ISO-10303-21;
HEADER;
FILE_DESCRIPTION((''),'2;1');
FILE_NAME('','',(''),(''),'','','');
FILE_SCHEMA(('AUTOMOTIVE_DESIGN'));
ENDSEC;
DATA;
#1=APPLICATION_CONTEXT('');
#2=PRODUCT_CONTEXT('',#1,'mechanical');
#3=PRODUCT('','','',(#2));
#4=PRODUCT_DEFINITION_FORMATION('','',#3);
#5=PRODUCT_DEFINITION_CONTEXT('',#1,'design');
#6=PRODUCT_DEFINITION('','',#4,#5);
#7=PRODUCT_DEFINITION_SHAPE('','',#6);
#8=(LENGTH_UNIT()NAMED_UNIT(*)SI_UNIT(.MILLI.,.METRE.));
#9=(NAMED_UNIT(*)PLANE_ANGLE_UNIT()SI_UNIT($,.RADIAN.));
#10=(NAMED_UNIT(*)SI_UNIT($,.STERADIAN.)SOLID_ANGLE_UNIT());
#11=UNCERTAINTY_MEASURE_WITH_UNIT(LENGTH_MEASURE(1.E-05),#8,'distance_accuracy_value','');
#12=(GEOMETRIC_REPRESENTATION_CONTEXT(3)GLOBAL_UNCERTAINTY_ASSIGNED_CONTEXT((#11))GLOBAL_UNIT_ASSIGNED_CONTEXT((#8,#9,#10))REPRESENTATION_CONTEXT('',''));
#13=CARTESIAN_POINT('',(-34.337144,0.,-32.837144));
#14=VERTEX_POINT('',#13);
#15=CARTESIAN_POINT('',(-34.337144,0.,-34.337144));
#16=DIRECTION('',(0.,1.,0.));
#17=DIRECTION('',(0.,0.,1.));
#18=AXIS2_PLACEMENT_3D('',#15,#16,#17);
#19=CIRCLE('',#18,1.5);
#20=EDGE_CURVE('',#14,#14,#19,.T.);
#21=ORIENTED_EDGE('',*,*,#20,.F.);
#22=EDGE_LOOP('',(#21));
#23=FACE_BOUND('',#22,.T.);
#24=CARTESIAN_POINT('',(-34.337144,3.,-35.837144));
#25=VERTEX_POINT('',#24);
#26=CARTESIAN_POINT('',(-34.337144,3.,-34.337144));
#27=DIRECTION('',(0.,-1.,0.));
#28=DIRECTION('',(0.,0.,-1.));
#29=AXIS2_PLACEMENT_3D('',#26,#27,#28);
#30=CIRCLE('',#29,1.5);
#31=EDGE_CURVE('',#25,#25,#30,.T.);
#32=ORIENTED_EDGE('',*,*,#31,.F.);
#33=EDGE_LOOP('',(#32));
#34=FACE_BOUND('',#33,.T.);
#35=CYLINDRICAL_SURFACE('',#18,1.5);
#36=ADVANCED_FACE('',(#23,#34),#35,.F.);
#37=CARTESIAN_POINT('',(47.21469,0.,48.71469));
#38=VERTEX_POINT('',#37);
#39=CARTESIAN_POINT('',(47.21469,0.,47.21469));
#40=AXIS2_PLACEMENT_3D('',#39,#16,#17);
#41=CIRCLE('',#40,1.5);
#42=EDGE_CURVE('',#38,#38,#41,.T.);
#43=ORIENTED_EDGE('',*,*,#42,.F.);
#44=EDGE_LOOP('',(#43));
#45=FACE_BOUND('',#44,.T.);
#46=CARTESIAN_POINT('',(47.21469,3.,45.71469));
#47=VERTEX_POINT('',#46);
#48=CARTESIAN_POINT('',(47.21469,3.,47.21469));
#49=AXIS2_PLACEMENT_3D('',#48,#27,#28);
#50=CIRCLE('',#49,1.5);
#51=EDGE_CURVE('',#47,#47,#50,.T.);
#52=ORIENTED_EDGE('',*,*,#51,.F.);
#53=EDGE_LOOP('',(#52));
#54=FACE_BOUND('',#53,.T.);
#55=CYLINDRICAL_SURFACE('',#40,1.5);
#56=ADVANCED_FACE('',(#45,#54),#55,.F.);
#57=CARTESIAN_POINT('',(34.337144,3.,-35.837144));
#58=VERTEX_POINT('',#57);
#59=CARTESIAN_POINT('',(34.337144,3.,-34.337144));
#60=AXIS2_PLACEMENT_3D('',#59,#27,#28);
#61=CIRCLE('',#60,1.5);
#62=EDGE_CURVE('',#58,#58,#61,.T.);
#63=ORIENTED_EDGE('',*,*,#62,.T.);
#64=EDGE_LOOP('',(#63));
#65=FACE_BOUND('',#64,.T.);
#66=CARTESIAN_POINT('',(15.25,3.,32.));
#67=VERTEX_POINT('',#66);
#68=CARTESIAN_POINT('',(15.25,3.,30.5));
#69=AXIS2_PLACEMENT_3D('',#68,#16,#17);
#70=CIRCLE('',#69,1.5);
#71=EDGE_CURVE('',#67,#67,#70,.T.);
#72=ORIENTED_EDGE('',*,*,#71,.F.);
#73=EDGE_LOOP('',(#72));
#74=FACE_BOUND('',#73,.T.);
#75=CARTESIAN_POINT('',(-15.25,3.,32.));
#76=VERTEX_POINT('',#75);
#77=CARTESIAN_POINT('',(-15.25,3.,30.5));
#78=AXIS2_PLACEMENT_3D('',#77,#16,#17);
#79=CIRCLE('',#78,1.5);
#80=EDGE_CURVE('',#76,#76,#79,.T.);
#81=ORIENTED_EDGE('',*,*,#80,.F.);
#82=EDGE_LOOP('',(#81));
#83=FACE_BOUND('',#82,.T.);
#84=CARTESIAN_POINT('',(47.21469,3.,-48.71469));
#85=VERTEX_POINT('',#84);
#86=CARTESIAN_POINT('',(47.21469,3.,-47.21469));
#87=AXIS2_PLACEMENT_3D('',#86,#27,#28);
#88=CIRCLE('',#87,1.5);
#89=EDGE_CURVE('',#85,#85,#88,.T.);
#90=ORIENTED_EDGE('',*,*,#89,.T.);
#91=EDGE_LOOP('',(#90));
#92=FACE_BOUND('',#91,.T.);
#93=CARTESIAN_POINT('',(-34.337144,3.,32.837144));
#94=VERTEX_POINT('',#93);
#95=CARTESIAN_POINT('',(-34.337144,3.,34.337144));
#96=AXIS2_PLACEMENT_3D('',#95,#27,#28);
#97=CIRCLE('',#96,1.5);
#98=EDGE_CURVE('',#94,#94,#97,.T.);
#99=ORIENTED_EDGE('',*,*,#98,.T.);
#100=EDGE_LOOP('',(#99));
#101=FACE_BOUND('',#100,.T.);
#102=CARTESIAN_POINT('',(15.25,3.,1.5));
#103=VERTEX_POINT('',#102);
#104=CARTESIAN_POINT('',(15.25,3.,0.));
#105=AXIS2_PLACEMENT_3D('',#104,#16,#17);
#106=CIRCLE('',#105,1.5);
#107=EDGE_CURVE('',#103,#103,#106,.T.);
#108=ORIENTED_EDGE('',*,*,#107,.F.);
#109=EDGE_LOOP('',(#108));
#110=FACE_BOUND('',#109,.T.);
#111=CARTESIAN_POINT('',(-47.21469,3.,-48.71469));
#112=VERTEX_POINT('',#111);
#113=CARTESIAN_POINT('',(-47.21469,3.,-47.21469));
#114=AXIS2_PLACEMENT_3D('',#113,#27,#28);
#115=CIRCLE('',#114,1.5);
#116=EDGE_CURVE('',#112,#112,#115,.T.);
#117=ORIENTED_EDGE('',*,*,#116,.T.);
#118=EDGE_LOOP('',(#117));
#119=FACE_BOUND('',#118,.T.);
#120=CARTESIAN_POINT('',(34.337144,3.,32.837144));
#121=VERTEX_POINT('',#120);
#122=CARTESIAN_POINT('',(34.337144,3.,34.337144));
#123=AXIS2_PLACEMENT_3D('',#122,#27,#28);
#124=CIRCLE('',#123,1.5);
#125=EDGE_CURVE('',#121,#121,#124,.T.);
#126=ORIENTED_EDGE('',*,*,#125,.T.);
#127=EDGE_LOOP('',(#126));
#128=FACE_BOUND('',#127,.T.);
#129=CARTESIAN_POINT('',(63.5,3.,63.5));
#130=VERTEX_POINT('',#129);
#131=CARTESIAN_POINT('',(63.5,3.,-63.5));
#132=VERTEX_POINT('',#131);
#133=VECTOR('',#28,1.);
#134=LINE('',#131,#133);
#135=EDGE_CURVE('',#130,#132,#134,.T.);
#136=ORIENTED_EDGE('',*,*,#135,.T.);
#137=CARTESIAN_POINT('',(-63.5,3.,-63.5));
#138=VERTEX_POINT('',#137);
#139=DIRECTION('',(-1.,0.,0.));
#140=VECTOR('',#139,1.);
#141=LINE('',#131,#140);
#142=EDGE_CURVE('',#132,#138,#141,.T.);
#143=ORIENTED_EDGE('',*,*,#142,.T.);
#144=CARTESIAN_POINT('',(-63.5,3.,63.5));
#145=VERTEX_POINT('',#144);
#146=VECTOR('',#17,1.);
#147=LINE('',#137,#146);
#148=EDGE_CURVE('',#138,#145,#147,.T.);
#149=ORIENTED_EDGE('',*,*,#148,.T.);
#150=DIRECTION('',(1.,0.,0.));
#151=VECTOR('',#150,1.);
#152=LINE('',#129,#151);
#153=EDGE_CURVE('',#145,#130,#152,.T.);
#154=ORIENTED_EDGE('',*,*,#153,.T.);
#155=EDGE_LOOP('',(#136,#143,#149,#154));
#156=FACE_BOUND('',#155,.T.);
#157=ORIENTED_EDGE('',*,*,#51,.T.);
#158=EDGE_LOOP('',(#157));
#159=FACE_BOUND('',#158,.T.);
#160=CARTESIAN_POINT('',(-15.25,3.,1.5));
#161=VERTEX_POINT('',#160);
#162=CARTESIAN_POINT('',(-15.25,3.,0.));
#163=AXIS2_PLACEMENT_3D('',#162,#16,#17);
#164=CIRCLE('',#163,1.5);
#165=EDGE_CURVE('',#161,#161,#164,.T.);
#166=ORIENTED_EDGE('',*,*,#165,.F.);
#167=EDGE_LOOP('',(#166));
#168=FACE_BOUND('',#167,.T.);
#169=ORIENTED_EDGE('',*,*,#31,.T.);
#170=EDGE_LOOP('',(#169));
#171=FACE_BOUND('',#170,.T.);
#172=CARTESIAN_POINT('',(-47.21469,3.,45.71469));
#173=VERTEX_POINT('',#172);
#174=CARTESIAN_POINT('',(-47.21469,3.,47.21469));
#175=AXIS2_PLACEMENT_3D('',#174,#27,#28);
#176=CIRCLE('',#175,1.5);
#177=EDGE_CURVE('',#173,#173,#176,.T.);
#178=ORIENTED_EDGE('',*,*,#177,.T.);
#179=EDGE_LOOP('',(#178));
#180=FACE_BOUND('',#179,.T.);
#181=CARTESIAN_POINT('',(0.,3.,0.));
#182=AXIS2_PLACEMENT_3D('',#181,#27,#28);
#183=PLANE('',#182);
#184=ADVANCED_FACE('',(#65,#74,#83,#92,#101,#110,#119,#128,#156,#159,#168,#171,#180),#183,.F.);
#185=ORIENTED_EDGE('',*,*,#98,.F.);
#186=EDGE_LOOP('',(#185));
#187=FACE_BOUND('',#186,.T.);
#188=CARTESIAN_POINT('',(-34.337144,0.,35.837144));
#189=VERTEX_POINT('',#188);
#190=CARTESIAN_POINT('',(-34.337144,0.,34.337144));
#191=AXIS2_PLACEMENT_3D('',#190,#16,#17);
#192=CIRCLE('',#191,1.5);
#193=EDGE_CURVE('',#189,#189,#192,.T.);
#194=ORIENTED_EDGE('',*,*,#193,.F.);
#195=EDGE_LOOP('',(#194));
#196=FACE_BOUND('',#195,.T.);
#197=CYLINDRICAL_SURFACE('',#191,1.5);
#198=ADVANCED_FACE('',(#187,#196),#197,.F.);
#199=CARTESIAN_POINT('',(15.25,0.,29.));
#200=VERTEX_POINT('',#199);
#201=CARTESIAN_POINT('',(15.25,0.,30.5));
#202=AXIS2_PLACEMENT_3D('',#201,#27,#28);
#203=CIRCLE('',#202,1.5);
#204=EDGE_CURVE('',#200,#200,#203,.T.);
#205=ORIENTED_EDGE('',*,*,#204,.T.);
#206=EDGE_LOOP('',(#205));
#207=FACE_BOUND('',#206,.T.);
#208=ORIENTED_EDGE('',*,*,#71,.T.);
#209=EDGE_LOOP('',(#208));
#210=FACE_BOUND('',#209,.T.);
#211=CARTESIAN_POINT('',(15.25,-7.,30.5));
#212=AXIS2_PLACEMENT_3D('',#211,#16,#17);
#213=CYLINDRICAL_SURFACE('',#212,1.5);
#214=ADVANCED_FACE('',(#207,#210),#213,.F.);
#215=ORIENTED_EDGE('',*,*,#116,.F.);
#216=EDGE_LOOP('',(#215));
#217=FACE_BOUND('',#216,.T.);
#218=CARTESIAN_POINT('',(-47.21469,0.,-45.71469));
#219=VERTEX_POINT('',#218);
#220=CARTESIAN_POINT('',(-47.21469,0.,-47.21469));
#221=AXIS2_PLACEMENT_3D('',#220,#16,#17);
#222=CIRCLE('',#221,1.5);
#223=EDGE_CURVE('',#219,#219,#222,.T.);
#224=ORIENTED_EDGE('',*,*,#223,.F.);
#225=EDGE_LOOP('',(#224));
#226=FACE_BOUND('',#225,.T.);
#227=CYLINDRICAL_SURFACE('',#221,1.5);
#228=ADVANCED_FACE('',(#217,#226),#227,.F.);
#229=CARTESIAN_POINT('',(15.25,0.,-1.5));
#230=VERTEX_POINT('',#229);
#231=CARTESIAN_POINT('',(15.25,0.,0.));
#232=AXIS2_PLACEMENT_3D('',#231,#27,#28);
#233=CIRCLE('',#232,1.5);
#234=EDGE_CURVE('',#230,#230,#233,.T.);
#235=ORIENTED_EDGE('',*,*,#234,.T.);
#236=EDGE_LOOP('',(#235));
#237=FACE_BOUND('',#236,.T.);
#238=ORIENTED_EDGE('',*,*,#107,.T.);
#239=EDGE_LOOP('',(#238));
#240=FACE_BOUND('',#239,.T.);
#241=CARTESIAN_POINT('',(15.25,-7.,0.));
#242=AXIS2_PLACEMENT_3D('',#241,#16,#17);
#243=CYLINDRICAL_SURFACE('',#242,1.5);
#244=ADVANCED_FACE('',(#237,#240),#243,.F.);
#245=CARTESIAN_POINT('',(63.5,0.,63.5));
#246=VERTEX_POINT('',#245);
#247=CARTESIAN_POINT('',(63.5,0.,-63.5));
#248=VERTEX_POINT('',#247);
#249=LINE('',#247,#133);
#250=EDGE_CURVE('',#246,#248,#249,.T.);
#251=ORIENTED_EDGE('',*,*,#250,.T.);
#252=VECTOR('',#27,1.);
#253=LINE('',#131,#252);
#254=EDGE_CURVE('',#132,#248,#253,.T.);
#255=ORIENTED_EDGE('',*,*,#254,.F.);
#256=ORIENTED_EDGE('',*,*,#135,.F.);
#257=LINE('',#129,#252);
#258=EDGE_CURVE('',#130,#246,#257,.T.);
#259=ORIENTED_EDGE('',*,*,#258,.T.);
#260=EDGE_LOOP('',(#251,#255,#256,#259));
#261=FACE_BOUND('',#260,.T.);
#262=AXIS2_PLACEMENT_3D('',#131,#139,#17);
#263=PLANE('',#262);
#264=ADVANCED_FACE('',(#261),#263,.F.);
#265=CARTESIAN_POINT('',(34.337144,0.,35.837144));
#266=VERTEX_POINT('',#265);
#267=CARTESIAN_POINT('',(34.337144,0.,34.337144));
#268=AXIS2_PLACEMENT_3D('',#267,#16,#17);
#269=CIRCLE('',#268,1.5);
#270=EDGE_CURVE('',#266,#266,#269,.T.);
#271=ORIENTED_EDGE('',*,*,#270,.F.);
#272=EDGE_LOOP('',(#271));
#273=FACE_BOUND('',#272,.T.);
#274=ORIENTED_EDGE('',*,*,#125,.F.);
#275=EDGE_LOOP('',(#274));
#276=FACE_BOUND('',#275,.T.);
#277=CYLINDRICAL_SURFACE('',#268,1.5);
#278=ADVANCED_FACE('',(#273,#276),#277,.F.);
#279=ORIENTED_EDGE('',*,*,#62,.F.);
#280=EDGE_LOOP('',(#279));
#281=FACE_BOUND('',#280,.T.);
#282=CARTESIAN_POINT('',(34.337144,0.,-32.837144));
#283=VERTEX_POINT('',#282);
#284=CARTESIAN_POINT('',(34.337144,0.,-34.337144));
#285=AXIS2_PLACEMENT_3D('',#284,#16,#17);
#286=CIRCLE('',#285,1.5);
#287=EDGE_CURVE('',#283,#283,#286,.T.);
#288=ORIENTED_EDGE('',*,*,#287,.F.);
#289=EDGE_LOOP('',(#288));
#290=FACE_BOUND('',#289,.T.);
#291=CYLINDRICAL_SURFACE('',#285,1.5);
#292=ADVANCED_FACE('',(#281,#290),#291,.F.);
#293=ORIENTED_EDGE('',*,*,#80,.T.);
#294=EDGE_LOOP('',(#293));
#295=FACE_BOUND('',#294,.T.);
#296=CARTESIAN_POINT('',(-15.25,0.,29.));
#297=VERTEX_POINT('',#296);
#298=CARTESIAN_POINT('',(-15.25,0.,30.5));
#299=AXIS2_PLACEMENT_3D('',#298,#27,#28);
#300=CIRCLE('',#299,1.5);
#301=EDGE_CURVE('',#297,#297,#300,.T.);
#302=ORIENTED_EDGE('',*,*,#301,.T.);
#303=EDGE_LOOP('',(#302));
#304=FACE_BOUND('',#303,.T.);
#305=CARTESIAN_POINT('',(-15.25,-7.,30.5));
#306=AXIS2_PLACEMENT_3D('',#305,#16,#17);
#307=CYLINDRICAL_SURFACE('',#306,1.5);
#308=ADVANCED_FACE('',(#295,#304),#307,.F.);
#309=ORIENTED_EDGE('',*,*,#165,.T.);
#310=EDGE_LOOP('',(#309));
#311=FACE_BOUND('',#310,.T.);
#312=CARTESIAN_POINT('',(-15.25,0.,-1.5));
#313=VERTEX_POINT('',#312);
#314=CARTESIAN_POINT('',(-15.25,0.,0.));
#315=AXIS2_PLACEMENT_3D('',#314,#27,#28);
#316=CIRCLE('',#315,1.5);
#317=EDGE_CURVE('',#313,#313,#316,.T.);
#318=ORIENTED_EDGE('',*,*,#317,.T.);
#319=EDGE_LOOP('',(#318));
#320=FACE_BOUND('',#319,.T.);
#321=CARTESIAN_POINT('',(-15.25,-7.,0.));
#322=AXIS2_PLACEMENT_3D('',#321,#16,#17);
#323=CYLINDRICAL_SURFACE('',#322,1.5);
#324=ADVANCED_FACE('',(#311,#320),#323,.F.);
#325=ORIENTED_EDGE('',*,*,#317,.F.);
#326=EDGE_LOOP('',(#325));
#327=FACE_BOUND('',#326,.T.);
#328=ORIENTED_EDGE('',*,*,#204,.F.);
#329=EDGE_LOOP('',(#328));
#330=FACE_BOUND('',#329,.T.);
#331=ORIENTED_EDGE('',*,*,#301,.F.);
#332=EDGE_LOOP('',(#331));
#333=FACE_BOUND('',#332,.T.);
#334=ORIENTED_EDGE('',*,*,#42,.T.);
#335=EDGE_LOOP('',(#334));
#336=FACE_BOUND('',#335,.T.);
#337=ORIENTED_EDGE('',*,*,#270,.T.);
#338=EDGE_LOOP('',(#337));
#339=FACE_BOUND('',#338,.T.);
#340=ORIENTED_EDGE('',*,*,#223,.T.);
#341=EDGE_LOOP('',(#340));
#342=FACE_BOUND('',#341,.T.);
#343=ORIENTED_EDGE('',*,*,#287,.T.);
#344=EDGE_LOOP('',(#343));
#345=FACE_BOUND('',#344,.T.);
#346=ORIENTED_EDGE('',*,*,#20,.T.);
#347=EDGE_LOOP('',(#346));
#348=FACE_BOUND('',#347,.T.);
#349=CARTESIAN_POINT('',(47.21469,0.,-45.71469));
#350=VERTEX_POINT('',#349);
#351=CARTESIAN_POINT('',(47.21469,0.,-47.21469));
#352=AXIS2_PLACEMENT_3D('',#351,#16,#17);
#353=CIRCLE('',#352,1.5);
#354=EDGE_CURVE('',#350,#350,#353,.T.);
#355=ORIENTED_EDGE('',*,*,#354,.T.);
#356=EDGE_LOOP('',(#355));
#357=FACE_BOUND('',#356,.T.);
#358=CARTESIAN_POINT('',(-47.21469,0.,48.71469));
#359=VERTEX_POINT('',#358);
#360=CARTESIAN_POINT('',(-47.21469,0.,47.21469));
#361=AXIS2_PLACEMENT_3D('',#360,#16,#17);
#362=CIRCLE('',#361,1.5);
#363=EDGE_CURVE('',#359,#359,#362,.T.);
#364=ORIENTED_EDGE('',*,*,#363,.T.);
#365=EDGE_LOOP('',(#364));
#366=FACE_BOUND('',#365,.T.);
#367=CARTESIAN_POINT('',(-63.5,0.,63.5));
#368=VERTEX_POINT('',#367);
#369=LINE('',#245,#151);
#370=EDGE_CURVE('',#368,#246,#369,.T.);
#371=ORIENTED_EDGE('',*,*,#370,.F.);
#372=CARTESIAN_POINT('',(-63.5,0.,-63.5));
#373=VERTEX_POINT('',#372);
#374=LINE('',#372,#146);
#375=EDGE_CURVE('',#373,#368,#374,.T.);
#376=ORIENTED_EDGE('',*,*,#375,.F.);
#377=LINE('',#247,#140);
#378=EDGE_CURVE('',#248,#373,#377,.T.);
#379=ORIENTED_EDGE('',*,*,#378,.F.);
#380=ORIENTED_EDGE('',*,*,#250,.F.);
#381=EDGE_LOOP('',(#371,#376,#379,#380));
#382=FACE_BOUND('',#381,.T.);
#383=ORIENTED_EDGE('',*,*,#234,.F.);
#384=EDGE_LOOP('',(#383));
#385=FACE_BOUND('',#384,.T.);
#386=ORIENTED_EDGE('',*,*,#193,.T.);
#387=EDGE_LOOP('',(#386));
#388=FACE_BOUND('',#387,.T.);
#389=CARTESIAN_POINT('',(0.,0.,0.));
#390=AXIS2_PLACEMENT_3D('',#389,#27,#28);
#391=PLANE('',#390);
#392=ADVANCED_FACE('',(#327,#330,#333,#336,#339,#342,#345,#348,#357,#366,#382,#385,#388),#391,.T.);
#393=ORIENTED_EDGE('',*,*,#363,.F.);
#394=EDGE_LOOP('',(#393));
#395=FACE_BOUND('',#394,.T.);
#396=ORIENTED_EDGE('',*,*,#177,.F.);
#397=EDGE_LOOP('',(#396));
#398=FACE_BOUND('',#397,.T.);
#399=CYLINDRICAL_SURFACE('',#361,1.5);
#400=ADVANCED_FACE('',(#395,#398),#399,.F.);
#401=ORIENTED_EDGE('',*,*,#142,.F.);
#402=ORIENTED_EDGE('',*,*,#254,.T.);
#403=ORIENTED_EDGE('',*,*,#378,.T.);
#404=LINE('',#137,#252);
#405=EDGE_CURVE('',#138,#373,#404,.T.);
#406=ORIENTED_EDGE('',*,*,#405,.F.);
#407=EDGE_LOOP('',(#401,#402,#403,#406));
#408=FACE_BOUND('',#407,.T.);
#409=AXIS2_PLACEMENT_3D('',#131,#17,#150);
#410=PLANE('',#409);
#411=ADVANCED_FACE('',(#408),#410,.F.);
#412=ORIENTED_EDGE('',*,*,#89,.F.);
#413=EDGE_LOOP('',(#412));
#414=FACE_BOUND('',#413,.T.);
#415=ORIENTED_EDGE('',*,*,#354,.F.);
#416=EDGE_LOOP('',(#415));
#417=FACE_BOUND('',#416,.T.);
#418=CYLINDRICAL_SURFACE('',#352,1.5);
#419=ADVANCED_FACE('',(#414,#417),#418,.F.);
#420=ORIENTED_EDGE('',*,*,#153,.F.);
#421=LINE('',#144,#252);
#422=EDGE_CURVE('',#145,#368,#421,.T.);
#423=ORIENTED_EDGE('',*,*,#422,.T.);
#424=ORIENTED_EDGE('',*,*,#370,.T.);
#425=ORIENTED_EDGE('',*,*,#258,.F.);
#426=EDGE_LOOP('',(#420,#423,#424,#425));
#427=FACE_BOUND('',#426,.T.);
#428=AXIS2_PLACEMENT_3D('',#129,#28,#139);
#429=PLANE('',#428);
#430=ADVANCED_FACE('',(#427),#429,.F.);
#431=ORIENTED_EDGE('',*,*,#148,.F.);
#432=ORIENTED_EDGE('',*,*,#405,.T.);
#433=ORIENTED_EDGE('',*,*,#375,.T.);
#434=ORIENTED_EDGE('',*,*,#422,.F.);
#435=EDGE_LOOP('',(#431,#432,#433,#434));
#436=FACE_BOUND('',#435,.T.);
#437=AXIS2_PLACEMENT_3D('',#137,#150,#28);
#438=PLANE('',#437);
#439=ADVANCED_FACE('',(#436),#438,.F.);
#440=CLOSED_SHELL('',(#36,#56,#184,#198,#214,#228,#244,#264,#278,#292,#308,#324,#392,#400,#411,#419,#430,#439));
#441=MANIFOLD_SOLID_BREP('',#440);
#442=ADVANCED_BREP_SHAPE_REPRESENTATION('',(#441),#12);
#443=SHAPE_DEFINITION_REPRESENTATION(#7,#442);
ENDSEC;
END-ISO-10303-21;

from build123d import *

# Parameters (mm, degrees)
SKETCH2_W               = 127
SKETCH2_H               = 127
BOSS_EXTRUDE1_DEPTH     = 3
CUT_EXTRUDE1_DEPTH      = 90.852657167
CUT_EXTRUDE1_DEPTH_BACK = 90.852657167
SKETCH3_R               = 1.5
SKETCH4_R               = 1.5
CUT_EXTRUDE2_DEPTH      = 10


with BuildPart() as part:
    # Sketch2 → Boss-Extrude1 (new body)
    with BuildSketch(Plane(origin=(0, 0, 0), x_dir=(1, 0, 0), z_dir=(0, 1, 0))):
        Rectangle(SKETCH2_W, SKETCH2_H)
    extrude(amount=BOSS_EXTRUDE1_DEPTH)

    # Sketch3 → Cut-Extrude1 (cut, two sides: drawn at the far end of the back side and taken through both)
    with BuildSketch(Plane(origin=(0, 3, 0), x_dir=(1, 0, 0), z_dir=(0, 1, 0)).offset(-CUT_EXTRUDE1_DEPTH_BACK)):
        with Locations(Location((-47.214690182, 47.214690182, 0), (0, 0, 270))):
            Circle(SKETCH3_R)
        with Locations(Location((-34.337144063, 34.337144063, 0), (0, 0, 270))):
            Circle(SKETCH3_R)
        with Locations(Location((47.214690182, 47.214690182, 0), (0, 0, 270))):
            Circle(SKETCH3_R)
        with Locations(Location((34.337144063, 34.337144063, 0), (0, 0, 270))):
            Circle(SKETCH3_R)
        with Locations(Location((47.214690182, -47.214690182, 0), (0, 0, 270))):
            Circle(SKETCH3_R)
        with Locations(Location((34.337144063, -34.337144063, 0), (0, 0, 270))):
            Circle(SKETCH3_R)
        with Locations(Location((-47.214690182, -47.214690182, 0), (0, 0, 270))):
            Circle(SKETCH3_R)
        with Locations(Location((-34.337144063, -34.337144063, 0), (0, 0, 270))):
            Circle(SKETCH3_R)
    extrude(amount=CUT_EXTRUDE1_DEPTH + CUT_EXTRUDE1_DEPTH_BACK, mode=Mode.SUBTRACT)

    # Sketch4 → Cut-Extrude2 (cut)
    with BuildSketch(Plane(origin=(0, 3, 0), x_dir=(1, 0, 0), z_dir=(0, 1, 0))):
        with Locations(Location((-15.25, 0, 0), (0, 0, 270))):
            Circle(SKETCH4_R)
        with Locations(Location((15.25, 0, 0), (0, 0, 270))):
            Circle(SKETCH4_R)
        with Locations(Location((-15.25, -30.5, 0), (0, 0, 270))):
            Circle(SKETCH4_R)
        with Locations(Location((15.25, -30.5, 0), (0, 0, 270))):
            Circle(SKETCH4_R)
    extrude(amount=-CUT_EXTRUDE2_DEPTH, mode=Mode.SUBTRACT)


solid = part.part
